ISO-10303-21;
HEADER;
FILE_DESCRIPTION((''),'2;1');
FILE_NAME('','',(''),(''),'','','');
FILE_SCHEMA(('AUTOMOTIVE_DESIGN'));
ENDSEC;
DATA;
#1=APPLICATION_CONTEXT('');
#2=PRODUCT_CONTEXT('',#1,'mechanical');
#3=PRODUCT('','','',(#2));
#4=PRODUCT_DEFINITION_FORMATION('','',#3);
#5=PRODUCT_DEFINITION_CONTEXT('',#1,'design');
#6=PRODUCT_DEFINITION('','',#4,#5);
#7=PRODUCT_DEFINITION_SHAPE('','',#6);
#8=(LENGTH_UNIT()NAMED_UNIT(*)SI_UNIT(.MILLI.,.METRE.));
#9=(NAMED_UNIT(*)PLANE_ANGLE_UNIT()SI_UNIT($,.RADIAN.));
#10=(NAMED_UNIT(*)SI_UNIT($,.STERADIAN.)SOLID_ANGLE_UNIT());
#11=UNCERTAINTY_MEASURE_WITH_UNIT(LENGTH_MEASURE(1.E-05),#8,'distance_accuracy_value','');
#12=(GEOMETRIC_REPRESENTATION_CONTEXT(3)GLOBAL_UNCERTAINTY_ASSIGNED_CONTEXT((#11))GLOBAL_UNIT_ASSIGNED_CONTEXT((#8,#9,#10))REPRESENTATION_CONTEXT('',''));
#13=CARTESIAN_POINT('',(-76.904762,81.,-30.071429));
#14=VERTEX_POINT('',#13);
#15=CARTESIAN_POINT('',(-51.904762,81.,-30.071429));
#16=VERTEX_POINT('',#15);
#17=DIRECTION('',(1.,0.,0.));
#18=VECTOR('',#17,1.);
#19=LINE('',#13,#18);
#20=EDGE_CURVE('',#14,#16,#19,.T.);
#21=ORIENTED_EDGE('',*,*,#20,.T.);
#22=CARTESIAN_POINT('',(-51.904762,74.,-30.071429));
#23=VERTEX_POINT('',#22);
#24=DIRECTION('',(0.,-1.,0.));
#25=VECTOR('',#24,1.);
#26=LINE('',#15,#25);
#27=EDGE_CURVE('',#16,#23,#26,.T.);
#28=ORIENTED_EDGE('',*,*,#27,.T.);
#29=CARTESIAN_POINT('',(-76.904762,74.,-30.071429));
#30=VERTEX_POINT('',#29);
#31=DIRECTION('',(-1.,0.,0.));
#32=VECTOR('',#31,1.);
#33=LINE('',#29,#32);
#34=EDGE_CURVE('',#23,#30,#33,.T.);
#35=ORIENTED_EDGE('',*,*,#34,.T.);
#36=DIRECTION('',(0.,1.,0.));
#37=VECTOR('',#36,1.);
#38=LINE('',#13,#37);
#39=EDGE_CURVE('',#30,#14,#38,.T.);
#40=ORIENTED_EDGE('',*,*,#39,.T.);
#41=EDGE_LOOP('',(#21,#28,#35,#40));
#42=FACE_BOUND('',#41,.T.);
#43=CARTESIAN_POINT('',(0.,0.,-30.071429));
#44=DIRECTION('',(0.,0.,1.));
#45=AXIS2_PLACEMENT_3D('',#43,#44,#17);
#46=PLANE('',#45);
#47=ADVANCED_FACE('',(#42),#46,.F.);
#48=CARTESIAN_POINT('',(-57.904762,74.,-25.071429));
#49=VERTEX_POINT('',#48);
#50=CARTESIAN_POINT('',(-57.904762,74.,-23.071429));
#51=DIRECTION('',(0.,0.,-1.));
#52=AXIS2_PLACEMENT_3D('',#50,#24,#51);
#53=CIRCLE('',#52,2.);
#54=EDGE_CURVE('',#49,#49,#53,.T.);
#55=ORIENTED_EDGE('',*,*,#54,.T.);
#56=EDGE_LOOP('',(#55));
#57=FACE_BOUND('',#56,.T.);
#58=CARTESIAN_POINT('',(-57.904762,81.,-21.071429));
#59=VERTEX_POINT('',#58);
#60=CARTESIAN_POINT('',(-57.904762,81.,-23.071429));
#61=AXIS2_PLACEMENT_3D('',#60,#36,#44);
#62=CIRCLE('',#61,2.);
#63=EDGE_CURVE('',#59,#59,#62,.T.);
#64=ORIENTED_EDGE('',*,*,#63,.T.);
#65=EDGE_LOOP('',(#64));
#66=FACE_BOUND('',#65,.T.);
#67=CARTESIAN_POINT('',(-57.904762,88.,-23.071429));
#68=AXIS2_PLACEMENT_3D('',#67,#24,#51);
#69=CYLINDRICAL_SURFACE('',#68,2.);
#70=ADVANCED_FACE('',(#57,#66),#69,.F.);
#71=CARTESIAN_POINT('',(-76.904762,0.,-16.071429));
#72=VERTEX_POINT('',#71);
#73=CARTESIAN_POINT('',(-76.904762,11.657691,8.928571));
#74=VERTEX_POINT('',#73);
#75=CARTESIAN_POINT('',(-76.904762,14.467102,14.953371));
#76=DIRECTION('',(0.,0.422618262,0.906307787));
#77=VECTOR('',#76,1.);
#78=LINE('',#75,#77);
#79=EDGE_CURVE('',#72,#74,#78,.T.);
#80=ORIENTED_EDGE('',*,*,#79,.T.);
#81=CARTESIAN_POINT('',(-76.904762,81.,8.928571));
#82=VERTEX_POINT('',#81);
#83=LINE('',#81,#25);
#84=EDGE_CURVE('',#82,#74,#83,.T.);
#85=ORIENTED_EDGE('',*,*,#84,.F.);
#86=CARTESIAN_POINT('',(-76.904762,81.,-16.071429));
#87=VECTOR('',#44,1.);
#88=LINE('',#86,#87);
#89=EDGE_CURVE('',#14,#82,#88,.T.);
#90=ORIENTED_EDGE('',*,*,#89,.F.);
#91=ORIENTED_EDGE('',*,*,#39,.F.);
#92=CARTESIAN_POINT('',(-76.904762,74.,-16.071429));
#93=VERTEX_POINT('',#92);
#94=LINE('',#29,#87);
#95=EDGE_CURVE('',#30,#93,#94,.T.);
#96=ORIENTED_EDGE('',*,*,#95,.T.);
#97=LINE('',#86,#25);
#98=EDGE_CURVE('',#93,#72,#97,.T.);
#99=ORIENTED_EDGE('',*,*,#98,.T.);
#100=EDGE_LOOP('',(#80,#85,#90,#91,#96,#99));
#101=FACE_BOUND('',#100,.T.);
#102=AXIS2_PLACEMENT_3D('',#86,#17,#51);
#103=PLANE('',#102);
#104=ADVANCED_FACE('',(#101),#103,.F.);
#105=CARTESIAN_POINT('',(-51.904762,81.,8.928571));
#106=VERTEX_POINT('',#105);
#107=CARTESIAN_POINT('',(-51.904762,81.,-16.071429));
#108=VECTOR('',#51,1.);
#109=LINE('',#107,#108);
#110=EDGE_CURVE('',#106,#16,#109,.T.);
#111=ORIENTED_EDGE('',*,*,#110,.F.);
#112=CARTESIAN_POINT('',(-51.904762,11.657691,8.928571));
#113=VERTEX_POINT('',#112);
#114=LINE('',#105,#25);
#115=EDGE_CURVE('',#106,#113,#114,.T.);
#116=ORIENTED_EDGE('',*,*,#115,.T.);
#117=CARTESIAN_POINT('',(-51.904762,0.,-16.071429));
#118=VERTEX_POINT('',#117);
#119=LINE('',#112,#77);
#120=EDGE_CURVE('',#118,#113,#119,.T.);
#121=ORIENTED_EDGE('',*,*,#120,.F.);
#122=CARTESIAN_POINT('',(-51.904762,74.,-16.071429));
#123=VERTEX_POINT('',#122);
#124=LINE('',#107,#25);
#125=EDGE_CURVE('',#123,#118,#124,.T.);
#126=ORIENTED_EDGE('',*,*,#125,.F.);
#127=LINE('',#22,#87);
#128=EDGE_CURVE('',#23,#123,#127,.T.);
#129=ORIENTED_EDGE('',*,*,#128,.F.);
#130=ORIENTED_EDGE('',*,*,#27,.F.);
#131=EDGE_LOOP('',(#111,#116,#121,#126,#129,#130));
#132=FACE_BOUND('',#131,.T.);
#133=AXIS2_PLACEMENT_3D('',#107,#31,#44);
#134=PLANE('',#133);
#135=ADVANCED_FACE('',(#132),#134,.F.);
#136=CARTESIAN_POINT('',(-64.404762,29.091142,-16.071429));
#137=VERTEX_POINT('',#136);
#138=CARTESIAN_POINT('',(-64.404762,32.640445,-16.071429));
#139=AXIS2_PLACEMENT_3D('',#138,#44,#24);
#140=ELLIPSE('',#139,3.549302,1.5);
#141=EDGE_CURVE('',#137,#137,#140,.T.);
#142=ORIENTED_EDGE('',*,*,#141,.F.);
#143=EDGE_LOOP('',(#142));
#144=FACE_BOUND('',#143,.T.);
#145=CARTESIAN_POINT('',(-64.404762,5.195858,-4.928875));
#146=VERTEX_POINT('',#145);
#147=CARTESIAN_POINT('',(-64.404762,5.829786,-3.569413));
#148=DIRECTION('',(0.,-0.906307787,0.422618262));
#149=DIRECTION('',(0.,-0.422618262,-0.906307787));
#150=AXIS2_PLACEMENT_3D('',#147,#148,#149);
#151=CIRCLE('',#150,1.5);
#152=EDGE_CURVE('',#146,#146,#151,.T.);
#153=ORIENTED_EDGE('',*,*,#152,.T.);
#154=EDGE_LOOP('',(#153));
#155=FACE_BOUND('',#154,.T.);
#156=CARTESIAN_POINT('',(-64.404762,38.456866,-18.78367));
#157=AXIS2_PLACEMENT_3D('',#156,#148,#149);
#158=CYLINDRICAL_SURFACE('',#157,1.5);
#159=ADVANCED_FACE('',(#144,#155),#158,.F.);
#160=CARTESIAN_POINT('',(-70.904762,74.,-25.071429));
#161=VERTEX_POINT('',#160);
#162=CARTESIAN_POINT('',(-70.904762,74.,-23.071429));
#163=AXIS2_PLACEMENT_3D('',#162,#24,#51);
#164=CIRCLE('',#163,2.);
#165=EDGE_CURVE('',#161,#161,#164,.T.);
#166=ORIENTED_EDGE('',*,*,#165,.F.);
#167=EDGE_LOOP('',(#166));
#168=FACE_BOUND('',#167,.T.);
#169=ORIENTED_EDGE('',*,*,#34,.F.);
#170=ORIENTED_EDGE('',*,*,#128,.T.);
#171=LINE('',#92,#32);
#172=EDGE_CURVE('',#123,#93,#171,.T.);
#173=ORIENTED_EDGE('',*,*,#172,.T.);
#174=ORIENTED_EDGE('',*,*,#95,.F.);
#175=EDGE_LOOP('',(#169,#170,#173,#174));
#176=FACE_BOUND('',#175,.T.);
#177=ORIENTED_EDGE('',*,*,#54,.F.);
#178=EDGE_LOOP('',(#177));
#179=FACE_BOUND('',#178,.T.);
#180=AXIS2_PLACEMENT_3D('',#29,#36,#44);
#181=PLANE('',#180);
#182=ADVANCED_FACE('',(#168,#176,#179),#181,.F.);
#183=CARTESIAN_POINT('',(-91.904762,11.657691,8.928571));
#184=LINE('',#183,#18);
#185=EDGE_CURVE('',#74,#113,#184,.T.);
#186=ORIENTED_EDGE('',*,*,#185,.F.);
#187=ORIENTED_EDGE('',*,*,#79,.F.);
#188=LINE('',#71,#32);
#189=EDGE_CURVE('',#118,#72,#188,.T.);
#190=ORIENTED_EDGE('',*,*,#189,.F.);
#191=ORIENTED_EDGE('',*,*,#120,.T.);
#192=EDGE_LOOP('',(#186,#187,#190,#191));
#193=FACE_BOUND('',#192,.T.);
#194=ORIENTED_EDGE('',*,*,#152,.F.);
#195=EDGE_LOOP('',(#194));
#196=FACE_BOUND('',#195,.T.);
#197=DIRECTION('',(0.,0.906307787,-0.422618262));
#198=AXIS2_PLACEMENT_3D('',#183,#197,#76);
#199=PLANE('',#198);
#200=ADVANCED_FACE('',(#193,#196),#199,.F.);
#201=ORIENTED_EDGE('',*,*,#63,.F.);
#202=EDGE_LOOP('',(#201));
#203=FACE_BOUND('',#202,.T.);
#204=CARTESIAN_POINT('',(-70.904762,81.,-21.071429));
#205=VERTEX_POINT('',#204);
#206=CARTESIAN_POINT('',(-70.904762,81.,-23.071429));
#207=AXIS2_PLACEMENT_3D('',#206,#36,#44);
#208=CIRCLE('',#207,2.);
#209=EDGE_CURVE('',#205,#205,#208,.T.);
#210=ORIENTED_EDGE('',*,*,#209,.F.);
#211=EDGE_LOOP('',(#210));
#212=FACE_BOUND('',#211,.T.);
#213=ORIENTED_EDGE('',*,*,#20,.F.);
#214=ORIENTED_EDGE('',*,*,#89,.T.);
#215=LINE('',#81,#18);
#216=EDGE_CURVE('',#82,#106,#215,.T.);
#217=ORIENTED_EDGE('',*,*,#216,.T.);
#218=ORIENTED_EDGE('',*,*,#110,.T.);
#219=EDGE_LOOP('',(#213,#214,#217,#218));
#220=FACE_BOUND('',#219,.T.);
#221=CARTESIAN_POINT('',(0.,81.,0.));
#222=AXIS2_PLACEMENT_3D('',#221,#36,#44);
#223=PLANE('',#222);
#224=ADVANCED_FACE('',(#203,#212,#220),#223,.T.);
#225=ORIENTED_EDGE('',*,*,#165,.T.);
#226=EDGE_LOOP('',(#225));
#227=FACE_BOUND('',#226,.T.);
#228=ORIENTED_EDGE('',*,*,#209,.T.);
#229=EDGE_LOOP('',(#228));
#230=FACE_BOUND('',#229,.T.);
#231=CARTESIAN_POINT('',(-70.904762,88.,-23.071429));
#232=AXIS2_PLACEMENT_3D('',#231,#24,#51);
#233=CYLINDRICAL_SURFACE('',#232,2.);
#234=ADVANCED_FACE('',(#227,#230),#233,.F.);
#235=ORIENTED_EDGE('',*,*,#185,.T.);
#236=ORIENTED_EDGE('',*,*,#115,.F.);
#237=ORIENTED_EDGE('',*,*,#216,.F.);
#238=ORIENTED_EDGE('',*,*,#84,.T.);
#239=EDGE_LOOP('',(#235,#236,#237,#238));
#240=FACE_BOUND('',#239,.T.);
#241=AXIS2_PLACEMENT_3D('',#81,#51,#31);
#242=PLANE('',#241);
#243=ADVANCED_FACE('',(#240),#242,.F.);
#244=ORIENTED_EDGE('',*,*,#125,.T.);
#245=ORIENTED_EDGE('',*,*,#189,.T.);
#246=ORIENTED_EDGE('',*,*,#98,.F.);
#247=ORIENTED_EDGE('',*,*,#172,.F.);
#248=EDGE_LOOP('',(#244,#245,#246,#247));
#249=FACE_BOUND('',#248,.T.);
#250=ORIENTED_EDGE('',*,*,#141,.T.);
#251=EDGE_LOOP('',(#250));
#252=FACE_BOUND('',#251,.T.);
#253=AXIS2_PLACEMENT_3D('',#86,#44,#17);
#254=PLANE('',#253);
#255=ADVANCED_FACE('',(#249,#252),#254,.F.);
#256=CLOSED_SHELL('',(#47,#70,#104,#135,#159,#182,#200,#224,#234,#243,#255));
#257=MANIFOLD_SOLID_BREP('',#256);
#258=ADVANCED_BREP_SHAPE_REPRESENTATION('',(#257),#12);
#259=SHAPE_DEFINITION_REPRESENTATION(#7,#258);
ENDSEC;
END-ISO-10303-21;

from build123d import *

# Parameters (mm, degrees)
SKETCH1_W           = 25
SKETCH1_H           = 25
BOSS_EXTRUDE1_DEPTH = 81
CUT_EXTRUDE1_DEPTH  = 40
SKETCH3_R           = 1.5
CUT_EXTRUDE2_DEPTH  = 36
SKETCH4_W           = 25
SKETCH4_H           = 7
BOSS_EXTRUDE2_DEPTH = 14
SKETCH5_R           = 2
CUT_EXTRUDE3_DEPTH  = 14


with BuildPart() as part:
    # Sketch1 → Boss-Extrude1 (new body)
    with BuildSketch(Plane(origin=(0, 0, 0), x_dir=(1, 0, 0), z_dir=(0, 1, 0))):
        with Locations((-64.404761905, 3.571428571)):
            Rectangle(SKETCH1_W, SKETCH1_H)
    extrude(amount=BOSS_EXTRUDE1_DEPTH)

    # Sketch2 → Cut-Extrude1 (cut)
    with BuildSketch(Plane(origin=(-51.904761905, 0, 0), x_dir=(0, 0, -1), z_dir=(1, 0, 0))):
        Polygon((16.071428571, 0), (-8.928571429, 0), (-8.928571429, 11.657691454), align=None)
    extrude(amount=-CUT_EXTRUDE1_DEPTH, mode=Mode.SUBTRACT)

    # Sketch3 → Cut-Extrude2 (cut)
    with BuildSketch(Plane(origin=(0, 6.155714275, -2.870456708), x_dir=(1, 0, 0), z_dir=(0, -0.9063077870366528, 0.4226182617406934))):
        with Locations(Location((-64.404761905, -0.771212889, 0), (0, 0, 270))):
            Circle(SKETCH3_R)
    extrude(amount=-CUT_EXTRUDE2_DEPTH, mode=Mode.SUBTRACT)

    # Sketch4 → Boss-Extrude2 (add)
    with BuildSketch(Plane(origin=(0, 0, -16.071428571), x_dir=(-1, 0, 0), z_dir=(0, 0, -1))):
        with Locations((64.404761905, 77.5)):
            Rectangle(SKETCH4_W, SKETCH4_H)
    extrude(amount=BOSS_EXTRUDE2_DEPTH)

    # Sketch5 → Cut-Extrude3 (cut)
    with BuildSketch(Plane(origin=(0, 74, 0), x_dir=(-1, 0, 0), z_dir=(0, -1, 0))):
        with Locations(Location((70.904761905, 23.071428571, 0), (0, 0, 90))):
            Circle(SKETCH5_R)
        with Locations(Location((57.904761905, 23.071428571, 0), (0, 0, 90))):
            Circle(SKETCH5_R)
    extrude(amount=-CUT_EXTRUDE3_DEPTH, mode=Mode.SUBTRACT)


solid = part.part
